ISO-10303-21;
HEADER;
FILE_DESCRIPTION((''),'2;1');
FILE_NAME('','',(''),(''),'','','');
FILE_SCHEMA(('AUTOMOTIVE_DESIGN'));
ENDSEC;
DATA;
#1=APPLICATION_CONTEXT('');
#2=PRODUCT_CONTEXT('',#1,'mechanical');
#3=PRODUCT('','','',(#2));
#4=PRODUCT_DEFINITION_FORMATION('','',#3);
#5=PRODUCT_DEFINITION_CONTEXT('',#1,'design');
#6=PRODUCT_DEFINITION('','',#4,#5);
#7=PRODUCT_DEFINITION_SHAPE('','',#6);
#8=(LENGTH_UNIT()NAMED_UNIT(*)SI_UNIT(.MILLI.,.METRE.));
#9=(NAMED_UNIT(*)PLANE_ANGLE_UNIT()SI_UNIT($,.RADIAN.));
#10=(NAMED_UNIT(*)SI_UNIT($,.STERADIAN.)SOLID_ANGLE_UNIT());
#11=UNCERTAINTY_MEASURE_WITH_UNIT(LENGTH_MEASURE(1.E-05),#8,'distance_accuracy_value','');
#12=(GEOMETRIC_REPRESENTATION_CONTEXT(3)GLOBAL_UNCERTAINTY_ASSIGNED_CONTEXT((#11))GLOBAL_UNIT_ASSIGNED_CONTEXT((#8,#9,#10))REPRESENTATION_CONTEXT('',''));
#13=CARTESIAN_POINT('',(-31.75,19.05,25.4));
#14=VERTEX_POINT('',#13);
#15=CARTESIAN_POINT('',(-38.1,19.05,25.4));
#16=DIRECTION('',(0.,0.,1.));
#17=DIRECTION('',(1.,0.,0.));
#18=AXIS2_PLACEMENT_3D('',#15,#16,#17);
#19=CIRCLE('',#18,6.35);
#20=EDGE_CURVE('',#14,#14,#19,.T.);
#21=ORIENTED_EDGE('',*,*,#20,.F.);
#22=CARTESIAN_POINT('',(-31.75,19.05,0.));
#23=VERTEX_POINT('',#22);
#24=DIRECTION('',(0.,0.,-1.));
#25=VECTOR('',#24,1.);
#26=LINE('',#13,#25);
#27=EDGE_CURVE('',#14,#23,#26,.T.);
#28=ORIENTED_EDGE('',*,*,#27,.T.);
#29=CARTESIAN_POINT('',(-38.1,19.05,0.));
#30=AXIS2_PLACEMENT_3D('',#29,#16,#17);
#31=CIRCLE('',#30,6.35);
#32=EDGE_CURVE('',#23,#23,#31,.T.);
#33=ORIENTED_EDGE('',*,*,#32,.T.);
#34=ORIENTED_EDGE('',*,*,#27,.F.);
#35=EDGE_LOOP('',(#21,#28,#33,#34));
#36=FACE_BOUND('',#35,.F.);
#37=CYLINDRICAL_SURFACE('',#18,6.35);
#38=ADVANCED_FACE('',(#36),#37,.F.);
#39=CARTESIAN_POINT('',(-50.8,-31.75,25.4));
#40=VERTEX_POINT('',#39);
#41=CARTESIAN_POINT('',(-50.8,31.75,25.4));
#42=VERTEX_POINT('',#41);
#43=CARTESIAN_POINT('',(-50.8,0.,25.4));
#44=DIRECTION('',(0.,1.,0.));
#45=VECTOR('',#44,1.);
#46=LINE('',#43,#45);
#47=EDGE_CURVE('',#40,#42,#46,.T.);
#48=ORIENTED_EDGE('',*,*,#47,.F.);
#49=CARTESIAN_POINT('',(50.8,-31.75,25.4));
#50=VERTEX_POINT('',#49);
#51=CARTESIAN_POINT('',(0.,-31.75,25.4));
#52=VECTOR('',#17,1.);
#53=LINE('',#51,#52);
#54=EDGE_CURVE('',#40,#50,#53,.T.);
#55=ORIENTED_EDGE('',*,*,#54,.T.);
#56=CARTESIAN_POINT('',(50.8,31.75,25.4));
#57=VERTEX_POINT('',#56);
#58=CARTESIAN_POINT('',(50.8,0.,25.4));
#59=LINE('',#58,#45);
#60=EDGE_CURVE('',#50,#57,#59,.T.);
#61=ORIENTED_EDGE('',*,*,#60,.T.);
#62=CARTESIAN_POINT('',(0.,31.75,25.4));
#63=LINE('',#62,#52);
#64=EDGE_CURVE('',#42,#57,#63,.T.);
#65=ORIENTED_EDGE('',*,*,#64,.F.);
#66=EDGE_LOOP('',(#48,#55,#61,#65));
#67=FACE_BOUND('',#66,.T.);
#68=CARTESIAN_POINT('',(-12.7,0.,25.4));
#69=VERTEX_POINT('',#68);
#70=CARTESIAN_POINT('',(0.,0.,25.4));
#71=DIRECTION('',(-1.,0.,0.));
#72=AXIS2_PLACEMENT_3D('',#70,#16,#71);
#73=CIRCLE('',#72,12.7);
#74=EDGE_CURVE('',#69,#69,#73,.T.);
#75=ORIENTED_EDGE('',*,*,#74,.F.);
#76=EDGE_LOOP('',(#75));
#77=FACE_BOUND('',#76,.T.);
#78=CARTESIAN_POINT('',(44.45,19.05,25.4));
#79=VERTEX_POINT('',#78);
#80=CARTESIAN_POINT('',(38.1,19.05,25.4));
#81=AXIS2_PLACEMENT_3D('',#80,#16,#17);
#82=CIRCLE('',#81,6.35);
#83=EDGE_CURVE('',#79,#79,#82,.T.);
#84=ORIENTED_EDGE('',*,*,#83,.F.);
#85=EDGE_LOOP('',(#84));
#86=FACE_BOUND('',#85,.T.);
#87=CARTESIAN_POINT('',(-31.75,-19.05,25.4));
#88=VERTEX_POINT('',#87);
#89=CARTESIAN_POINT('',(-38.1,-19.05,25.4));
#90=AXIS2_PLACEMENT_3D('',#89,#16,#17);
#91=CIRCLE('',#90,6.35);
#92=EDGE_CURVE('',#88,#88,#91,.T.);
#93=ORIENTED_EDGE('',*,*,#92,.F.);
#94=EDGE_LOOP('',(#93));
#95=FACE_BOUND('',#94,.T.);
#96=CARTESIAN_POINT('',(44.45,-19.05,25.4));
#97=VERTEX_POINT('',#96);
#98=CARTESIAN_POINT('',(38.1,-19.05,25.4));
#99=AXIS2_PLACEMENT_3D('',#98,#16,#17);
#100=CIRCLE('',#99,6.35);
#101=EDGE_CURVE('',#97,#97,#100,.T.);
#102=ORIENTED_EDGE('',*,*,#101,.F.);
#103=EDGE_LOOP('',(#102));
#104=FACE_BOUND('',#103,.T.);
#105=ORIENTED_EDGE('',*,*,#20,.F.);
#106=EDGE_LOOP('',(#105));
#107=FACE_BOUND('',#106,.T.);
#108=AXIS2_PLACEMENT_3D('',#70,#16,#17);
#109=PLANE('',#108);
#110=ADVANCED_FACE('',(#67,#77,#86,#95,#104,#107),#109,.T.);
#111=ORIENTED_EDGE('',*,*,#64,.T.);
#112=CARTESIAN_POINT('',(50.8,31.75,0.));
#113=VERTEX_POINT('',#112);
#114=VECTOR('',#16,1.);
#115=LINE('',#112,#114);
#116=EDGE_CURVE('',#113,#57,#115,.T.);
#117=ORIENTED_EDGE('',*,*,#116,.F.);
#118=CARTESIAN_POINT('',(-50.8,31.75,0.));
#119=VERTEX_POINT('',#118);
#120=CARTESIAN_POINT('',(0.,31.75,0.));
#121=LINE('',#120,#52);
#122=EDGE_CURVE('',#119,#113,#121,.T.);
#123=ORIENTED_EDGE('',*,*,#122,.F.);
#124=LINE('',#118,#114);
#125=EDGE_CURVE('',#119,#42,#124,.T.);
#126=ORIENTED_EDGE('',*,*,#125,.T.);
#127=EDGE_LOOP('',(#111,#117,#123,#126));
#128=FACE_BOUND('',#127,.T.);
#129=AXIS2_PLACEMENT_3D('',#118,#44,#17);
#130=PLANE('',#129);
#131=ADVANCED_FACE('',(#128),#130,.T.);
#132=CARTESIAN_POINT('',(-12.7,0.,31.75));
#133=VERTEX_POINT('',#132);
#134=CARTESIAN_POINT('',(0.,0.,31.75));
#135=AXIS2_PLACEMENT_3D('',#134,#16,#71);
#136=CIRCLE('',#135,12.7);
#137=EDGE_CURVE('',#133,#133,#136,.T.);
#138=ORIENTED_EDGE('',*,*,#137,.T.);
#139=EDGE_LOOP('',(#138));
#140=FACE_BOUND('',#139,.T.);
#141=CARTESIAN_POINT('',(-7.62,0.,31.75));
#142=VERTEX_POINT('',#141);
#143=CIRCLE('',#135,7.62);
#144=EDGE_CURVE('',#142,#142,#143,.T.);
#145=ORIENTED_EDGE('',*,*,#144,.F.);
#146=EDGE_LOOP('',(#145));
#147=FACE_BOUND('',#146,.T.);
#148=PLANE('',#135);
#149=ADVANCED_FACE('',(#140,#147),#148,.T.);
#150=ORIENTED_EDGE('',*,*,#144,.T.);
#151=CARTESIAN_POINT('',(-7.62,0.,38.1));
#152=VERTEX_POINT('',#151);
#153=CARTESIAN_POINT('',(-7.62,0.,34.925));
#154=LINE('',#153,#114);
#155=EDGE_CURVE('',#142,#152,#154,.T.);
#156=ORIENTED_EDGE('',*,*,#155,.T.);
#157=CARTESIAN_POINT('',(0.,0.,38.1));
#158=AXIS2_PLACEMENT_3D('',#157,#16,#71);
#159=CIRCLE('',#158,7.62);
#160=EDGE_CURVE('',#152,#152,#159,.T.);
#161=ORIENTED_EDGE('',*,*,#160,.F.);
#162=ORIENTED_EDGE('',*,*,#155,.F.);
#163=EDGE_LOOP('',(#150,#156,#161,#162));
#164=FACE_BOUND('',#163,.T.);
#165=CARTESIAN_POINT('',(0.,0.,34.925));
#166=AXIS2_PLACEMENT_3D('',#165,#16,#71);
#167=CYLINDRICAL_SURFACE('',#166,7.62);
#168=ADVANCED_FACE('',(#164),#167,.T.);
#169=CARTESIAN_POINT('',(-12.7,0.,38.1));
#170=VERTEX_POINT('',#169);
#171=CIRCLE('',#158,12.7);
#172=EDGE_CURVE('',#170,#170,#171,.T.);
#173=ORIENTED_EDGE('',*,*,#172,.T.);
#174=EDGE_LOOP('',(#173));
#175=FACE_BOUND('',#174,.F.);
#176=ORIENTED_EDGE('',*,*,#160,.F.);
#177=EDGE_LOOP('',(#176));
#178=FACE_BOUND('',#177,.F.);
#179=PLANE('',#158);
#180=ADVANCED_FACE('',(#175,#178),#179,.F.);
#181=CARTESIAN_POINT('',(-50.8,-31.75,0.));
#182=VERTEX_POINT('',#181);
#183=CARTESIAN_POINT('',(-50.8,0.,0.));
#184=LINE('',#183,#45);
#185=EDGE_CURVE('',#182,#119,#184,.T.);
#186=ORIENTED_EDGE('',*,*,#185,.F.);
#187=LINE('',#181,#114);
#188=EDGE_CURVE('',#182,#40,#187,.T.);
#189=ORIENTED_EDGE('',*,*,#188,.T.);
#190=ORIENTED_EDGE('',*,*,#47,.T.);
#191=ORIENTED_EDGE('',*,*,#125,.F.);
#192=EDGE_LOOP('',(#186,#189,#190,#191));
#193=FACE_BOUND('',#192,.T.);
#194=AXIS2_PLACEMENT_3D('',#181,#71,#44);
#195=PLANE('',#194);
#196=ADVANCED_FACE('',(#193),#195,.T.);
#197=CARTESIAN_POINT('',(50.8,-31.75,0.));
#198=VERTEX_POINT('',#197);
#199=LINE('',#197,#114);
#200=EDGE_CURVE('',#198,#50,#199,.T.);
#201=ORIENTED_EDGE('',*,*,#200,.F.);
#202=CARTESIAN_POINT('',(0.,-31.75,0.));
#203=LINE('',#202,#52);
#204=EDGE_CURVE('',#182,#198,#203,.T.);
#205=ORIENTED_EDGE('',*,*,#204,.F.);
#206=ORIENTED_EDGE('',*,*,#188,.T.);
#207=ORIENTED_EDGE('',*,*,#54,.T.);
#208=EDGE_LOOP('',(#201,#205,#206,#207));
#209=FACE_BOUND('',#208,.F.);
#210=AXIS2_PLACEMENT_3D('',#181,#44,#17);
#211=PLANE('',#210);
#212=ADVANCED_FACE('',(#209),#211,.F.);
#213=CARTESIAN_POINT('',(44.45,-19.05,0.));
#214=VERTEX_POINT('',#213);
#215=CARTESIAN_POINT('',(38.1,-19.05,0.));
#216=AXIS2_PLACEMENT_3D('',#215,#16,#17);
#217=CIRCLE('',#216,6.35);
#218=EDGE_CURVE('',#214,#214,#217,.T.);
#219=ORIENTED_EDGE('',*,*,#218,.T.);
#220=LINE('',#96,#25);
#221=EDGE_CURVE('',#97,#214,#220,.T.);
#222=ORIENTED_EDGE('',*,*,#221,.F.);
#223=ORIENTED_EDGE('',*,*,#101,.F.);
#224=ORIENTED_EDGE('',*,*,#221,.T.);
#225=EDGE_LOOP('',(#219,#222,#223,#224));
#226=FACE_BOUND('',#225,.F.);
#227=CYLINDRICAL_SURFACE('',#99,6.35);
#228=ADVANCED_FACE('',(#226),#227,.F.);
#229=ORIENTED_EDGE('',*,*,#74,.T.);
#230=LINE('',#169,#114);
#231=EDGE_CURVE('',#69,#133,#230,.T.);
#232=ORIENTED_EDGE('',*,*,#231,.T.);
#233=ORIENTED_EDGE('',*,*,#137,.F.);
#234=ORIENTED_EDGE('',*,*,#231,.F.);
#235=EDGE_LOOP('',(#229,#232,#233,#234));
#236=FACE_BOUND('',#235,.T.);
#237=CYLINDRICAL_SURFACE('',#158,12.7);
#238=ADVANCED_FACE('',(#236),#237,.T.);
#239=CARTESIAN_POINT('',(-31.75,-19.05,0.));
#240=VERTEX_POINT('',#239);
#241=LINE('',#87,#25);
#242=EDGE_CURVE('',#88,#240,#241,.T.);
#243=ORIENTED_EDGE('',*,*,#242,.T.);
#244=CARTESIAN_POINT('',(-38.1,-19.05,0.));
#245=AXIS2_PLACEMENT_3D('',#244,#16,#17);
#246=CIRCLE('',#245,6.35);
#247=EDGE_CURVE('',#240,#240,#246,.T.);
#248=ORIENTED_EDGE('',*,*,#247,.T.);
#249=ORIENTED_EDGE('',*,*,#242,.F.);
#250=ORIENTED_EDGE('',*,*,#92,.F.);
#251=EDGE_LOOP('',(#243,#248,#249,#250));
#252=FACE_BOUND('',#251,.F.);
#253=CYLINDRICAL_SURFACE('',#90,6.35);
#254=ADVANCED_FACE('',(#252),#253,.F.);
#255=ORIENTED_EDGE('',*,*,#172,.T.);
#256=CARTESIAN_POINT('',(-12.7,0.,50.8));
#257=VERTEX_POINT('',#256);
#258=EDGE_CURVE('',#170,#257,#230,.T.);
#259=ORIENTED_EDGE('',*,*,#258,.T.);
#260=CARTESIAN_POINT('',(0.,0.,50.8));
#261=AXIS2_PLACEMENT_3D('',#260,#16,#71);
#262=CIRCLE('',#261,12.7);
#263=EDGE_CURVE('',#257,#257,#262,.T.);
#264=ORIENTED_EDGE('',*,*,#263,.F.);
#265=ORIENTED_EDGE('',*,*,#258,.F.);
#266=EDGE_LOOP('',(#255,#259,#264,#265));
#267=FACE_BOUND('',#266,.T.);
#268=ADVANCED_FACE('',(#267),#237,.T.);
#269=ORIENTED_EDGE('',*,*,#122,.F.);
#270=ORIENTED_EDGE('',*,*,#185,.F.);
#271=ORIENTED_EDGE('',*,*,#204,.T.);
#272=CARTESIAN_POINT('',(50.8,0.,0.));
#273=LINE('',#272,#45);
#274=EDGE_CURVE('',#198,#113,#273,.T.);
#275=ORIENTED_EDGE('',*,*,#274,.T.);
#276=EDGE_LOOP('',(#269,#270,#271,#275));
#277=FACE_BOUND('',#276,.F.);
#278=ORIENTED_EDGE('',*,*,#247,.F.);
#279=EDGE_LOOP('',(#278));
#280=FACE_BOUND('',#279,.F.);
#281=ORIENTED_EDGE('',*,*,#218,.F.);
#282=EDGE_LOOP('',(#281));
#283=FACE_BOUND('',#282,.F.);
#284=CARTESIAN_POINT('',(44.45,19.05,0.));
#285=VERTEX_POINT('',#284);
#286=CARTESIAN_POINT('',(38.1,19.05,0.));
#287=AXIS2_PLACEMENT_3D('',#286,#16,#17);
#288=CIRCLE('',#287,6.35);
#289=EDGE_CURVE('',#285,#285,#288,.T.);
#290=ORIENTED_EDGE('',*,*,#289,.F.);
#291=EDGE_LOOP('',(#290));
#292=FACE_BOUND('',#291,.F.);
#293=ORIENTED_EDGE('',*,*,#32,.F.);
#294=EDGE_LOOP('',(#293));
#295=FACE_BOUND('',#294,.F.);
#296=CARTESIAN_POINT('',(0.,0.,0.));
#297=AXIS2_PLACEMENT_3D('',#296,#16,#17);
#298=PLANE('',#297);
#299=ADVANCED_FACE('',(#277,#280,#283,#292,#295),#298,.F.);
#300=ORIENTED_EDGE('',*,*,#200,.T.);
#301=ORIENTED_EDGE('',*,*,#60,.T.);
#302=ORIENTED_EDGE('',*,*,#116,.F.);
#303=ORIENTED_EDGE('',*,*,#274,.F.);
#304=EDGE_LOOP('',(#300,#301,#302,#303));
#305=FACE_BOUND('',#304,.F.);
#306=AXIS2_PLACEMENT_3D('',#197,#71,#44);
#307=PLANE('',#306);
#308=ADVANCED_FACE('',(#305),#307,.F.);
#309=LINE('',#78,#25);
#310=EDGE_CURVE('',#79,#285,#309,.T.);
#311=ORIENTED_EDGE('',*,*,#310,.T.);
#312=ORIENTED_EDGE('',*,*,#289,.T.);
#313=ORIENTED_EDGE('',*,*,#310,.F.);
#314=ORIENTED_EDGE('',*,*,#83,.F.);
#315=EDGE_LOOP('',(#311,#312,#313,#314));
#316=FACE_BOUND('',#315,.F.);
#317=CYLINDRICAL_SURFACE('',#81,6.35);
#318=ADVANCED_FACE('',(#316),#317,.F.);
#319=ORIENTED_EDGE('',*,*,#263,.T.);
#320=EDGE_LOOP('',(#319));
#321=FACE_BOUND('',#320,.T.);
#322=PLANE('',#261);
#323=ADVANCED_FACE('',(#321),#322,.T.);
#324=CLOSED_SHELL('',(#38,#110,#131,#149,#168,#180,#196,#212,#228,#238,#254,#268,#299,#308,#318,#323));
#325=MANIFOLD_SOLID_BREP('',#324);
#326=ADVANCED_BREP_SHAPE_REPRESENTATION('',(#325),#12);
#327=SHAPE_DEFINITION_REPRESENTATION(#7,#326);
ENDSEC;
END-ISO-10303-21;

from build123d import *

# Parameters (mm, degrees)
F0_W     = 101.6
F0_H     = 63.5
F1_DEPTH = 25.4
F2_R     = 6.35
F3_DEPTH = 25.401
F4_W     = 12.7
F4_H     = 25.4
F6_W     = 13.615308
F6_H     = 6.35


with BuildPart() as f1:
    # F0 (on Top) → F1 (new body)
    with BuildSketch(Plane.XY):
        Rectangle(F0_W, F0_H)
    extrude(amount=F1_DEPTH)

    # F2 (on face) → F3 (cut, through all)
    with BuildSketch(Plane.XY.offset(25.4)):
        with Locations((-38.1, 19.05)):
            Circle(F2_R)
        with Locations((38.1, 19.05)):
            Circle(F2_R)
        with Locations((38.1, -19.05)):
            Circle(F2_R)
        with Locations((-38.1, -19.05)):
            Circle(F2_R)
    extrude(amount=-F3_DEPTH, mode=Mode.SUBTRACT)

    # F4 (on Front) → F5 (revolve)
    with BuildSketch(Plane.XZ):
        with Locations((-6.35, 38.1)):
            Rectangle(F4_W, F4_H)
    revolve(axis=Axis((0, 0, 38.1), (0, 0, 1)))

    # F6 (on Front) → F7 (revolve, cut)
    with BuildSketch(Plane.XZ):
        with Locations((-14.427654, 34.925)):
            Rectangle(F6_W, F6_H)
    revolve(axis=Axis((0, 0, 50.8), (0, 0, 1)), mode=Mode.SUBTRACT)


solid = f1.part
